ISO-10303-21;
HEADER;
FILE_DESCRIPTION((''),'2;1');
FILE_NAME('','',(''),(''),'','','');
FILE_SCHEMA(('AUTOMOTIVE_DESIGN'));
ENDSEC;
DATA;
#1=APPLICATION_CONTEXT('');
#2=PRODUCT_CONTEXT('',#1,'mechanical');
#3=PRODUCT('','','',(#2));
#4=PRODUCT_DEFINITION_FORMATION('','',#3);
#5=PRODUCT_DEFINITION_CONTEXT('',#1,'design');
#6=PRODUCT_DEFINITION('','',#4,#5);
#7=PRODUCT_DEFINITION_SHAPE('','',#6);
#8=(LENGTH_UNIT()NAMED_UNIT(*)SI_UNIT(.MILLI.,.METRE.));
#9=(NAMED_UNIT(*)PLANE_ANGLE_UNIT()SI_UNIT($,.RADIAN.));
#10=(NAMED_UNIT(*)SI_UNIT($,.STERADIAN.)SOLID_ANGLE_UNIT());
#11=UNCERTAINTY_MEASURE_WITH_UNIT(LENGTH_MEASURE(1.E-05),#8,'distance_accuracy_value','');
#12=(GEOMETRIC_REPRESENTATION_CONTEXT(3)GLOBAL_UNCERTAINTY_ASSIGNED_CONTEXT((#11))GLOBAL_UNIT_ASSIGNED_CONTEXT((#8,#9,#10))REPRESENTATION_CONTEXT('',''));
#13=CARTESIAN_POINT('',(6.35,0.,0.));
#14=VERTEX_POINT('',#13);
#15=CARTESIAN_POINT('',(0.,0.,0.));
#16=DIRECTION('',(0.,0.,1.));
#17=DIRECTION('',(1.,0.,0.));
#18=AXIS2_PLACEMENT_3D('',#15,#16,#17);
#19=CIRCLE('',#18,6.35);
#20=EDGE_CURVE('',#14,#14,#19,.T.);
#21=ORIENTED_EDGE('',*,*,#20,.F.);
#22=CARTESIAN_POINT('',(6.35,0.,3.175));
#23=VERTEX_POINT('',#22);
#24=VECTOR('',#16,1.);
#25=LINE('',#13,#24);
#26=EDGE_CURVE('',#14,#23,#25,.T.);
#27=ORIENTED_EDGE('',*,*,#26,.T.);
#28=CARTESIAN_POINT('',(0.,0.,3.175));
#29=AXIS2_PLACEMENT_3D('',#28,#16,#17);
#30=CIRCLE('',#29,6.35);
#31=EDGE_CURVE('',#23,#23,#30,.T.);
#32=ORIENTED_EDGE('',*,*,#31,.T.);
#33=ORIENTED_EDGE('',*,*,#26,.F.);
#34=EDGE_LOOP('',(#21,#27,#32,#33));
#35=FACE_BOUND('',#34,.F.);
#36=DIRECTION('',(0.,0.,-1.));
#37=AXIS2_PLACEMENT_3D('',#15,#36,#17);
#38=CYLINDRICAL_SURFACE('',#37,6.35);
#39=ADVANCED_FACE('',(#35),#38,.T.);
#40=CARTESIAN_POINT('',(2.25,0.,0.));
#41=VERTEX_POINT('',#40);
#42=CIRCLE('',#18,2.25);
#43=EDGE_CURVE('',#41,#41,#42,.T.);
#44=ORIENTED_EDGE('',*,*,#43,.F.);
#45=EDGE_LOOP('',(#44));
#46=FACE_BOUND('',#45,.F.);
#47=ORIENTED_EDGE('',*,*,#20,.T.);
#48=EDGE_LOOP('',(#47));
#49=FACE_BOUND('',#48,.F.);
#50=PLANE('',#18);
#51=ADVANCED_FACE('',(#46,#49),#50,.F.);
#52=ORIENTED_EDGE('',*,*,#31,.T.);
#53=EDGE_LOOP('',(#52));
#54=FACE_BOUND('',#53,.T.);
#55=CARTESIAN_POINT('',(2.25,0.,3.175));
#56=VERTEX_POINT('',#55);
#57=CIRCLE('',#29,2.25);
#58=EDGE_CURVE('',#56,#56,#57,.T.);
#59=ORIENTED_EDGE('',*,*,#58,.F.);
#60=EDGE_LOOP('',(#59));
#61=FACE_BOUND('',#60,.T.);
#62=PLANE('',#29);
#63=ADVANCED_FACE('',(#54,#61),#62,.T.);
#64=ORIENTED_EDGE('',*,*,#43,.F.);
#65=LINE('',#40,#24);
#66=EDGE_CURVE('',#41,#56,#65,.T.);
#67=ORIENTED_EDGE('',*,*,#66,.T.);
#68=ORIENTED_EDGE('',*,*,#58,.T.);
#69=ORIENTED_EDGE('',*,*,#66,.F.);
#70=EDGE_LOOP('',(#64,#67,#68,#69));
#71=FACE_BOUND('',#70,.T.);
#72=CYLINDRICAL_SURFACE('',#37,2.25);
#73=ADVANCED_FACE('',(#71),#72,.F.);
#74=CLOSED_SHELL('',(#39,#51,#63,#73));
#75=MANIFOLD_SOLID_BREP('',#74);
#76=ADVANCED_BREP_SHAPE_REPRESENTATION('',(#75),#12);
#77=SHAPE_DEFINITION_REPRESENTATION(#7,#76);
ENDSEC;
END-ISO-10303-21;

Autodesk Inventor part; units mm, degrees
ref_plane "YZ Plane" through (0, 0, 0) normal (1, 0, 0) x (0, 1, 0)
ref_plane "XZ Plane" through (0, 0, 0) normal (0, 1, 0) x (-1, 0, 0)
ref_plane "XY Plane" through (0, 0, 0) normal (0, 0, 1) x (1, 0, 0)
sketch "Sketch1" plane through (0, 0, 0) normal (0, 0, 1) x (1, 0, 0)
  circle A0 centre (0, 0) radius 2.25
  circle A1 centre (0, 0) radius 6.35
  dimension "d0" = 12.7
  dimension "d1" = 4.5
extrude "Extrusion1" add sketch "Sketch1" along normal blind 3.175
properties part number "Load Cell Spacer"
